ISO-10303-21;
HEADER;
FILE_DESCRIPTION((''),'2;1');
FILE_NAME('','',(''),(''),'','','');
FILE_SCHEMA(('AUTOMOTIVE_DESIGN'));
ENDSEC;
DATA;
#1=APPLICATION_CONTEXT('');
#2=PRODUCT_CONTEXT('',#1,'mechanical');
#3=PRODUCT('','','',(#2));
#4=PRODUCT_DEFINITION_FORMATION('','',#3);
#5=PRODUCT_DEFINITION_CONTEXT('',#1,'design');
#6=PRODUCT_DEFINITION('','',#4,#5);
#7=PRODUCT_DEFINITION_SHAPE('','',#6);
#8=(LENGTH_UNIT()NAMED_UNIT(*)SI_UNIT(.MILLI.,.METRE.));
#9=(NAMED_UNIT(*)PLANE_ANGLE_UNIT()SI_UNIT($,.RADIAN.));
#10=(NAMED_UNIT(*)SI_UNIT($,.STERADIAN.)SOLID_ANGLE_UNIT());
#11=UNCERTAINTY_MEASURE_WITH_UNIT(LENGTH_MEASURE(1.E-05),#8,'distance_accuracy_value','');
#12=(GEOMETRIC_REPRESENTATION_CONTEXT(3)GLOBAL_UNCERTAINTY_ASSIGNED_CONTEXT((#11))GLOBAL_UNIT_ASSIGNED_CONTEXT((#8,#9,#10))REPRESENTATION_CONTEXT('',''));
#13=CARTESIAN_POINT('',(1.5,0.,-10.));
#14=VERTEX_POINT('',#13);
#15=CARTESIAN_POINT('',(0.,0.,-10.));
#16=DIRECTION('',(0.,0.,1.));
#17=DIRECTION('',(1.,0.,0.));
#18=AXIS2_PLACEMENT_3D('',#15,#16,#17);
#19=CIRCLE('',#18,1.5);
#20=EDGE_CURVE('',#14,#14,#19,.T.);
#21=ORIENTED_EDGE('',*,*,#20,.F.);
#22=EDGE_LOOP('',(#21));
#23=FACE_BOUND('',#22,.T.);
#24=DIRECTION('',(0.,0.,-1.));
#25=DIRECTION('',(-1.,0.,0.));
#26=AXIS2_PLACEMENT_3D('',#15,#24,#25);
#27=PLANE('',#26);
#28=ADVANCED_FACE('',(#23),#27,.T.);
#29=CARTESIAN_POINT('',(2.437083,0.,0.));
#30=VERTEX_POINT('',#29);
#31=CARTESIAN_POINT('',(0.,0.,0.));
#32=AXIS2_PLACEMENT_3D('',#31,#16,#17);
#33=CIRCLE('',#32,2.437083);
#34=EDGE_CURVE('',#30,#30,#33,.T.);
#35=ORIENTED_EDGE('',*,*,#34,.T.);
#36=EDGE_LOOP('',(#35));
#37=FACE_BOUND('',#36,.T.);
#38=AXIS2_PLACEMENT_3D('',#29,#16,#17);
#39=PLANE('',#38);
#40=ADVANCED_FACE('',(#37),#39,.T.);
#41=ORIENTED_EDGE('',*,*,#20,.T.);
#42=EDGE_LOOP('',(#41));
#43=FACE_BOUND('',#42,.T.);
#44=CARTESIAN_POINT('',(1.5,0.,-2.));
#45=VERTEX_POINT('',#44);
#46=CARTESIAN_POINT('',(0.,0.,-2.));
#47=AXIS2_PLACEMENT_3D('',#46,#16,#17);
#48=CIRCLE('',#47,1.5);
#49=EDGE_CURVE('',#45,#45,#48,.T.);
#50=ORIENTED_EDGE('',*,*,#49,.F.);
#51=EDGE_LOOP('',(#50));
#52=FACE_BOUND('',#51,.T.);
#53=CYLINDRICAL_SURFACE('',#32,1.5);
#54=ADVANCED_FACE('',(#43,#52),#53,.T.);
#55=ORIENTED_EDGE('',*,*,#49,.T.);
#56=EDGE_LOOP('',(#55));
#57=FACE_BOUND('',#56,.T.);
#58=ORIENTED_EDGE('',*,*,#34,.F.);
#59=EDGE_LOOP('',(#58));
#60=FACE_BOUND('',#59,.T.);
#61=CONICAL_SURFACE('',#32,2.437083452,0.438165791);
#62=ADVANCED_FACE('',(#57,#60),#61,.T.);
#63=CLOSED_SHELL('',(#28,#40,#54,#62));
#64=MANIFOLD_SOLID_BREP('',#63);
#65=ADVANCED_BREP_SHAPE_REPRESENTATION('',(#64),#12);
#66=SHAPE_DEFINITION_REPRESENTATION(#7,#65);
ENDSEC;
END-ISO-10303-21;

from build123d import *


with BuildPart() as part:
    # Эскиз1 → Повернуть1 (revolve)
    with BuildSketch(Plane(origin=(0, 0, 0), x_dir=(1, 0, 0), z_dir=(0, 1, 0))):
        Polygon((0, 10), (1.5, 10), (1.5, 2), (2.437083452, 0), (0, 0), align=None)
    revolve(axis=Axis((0, 0, 0), (0, 0, -1)))


solid = part.part
